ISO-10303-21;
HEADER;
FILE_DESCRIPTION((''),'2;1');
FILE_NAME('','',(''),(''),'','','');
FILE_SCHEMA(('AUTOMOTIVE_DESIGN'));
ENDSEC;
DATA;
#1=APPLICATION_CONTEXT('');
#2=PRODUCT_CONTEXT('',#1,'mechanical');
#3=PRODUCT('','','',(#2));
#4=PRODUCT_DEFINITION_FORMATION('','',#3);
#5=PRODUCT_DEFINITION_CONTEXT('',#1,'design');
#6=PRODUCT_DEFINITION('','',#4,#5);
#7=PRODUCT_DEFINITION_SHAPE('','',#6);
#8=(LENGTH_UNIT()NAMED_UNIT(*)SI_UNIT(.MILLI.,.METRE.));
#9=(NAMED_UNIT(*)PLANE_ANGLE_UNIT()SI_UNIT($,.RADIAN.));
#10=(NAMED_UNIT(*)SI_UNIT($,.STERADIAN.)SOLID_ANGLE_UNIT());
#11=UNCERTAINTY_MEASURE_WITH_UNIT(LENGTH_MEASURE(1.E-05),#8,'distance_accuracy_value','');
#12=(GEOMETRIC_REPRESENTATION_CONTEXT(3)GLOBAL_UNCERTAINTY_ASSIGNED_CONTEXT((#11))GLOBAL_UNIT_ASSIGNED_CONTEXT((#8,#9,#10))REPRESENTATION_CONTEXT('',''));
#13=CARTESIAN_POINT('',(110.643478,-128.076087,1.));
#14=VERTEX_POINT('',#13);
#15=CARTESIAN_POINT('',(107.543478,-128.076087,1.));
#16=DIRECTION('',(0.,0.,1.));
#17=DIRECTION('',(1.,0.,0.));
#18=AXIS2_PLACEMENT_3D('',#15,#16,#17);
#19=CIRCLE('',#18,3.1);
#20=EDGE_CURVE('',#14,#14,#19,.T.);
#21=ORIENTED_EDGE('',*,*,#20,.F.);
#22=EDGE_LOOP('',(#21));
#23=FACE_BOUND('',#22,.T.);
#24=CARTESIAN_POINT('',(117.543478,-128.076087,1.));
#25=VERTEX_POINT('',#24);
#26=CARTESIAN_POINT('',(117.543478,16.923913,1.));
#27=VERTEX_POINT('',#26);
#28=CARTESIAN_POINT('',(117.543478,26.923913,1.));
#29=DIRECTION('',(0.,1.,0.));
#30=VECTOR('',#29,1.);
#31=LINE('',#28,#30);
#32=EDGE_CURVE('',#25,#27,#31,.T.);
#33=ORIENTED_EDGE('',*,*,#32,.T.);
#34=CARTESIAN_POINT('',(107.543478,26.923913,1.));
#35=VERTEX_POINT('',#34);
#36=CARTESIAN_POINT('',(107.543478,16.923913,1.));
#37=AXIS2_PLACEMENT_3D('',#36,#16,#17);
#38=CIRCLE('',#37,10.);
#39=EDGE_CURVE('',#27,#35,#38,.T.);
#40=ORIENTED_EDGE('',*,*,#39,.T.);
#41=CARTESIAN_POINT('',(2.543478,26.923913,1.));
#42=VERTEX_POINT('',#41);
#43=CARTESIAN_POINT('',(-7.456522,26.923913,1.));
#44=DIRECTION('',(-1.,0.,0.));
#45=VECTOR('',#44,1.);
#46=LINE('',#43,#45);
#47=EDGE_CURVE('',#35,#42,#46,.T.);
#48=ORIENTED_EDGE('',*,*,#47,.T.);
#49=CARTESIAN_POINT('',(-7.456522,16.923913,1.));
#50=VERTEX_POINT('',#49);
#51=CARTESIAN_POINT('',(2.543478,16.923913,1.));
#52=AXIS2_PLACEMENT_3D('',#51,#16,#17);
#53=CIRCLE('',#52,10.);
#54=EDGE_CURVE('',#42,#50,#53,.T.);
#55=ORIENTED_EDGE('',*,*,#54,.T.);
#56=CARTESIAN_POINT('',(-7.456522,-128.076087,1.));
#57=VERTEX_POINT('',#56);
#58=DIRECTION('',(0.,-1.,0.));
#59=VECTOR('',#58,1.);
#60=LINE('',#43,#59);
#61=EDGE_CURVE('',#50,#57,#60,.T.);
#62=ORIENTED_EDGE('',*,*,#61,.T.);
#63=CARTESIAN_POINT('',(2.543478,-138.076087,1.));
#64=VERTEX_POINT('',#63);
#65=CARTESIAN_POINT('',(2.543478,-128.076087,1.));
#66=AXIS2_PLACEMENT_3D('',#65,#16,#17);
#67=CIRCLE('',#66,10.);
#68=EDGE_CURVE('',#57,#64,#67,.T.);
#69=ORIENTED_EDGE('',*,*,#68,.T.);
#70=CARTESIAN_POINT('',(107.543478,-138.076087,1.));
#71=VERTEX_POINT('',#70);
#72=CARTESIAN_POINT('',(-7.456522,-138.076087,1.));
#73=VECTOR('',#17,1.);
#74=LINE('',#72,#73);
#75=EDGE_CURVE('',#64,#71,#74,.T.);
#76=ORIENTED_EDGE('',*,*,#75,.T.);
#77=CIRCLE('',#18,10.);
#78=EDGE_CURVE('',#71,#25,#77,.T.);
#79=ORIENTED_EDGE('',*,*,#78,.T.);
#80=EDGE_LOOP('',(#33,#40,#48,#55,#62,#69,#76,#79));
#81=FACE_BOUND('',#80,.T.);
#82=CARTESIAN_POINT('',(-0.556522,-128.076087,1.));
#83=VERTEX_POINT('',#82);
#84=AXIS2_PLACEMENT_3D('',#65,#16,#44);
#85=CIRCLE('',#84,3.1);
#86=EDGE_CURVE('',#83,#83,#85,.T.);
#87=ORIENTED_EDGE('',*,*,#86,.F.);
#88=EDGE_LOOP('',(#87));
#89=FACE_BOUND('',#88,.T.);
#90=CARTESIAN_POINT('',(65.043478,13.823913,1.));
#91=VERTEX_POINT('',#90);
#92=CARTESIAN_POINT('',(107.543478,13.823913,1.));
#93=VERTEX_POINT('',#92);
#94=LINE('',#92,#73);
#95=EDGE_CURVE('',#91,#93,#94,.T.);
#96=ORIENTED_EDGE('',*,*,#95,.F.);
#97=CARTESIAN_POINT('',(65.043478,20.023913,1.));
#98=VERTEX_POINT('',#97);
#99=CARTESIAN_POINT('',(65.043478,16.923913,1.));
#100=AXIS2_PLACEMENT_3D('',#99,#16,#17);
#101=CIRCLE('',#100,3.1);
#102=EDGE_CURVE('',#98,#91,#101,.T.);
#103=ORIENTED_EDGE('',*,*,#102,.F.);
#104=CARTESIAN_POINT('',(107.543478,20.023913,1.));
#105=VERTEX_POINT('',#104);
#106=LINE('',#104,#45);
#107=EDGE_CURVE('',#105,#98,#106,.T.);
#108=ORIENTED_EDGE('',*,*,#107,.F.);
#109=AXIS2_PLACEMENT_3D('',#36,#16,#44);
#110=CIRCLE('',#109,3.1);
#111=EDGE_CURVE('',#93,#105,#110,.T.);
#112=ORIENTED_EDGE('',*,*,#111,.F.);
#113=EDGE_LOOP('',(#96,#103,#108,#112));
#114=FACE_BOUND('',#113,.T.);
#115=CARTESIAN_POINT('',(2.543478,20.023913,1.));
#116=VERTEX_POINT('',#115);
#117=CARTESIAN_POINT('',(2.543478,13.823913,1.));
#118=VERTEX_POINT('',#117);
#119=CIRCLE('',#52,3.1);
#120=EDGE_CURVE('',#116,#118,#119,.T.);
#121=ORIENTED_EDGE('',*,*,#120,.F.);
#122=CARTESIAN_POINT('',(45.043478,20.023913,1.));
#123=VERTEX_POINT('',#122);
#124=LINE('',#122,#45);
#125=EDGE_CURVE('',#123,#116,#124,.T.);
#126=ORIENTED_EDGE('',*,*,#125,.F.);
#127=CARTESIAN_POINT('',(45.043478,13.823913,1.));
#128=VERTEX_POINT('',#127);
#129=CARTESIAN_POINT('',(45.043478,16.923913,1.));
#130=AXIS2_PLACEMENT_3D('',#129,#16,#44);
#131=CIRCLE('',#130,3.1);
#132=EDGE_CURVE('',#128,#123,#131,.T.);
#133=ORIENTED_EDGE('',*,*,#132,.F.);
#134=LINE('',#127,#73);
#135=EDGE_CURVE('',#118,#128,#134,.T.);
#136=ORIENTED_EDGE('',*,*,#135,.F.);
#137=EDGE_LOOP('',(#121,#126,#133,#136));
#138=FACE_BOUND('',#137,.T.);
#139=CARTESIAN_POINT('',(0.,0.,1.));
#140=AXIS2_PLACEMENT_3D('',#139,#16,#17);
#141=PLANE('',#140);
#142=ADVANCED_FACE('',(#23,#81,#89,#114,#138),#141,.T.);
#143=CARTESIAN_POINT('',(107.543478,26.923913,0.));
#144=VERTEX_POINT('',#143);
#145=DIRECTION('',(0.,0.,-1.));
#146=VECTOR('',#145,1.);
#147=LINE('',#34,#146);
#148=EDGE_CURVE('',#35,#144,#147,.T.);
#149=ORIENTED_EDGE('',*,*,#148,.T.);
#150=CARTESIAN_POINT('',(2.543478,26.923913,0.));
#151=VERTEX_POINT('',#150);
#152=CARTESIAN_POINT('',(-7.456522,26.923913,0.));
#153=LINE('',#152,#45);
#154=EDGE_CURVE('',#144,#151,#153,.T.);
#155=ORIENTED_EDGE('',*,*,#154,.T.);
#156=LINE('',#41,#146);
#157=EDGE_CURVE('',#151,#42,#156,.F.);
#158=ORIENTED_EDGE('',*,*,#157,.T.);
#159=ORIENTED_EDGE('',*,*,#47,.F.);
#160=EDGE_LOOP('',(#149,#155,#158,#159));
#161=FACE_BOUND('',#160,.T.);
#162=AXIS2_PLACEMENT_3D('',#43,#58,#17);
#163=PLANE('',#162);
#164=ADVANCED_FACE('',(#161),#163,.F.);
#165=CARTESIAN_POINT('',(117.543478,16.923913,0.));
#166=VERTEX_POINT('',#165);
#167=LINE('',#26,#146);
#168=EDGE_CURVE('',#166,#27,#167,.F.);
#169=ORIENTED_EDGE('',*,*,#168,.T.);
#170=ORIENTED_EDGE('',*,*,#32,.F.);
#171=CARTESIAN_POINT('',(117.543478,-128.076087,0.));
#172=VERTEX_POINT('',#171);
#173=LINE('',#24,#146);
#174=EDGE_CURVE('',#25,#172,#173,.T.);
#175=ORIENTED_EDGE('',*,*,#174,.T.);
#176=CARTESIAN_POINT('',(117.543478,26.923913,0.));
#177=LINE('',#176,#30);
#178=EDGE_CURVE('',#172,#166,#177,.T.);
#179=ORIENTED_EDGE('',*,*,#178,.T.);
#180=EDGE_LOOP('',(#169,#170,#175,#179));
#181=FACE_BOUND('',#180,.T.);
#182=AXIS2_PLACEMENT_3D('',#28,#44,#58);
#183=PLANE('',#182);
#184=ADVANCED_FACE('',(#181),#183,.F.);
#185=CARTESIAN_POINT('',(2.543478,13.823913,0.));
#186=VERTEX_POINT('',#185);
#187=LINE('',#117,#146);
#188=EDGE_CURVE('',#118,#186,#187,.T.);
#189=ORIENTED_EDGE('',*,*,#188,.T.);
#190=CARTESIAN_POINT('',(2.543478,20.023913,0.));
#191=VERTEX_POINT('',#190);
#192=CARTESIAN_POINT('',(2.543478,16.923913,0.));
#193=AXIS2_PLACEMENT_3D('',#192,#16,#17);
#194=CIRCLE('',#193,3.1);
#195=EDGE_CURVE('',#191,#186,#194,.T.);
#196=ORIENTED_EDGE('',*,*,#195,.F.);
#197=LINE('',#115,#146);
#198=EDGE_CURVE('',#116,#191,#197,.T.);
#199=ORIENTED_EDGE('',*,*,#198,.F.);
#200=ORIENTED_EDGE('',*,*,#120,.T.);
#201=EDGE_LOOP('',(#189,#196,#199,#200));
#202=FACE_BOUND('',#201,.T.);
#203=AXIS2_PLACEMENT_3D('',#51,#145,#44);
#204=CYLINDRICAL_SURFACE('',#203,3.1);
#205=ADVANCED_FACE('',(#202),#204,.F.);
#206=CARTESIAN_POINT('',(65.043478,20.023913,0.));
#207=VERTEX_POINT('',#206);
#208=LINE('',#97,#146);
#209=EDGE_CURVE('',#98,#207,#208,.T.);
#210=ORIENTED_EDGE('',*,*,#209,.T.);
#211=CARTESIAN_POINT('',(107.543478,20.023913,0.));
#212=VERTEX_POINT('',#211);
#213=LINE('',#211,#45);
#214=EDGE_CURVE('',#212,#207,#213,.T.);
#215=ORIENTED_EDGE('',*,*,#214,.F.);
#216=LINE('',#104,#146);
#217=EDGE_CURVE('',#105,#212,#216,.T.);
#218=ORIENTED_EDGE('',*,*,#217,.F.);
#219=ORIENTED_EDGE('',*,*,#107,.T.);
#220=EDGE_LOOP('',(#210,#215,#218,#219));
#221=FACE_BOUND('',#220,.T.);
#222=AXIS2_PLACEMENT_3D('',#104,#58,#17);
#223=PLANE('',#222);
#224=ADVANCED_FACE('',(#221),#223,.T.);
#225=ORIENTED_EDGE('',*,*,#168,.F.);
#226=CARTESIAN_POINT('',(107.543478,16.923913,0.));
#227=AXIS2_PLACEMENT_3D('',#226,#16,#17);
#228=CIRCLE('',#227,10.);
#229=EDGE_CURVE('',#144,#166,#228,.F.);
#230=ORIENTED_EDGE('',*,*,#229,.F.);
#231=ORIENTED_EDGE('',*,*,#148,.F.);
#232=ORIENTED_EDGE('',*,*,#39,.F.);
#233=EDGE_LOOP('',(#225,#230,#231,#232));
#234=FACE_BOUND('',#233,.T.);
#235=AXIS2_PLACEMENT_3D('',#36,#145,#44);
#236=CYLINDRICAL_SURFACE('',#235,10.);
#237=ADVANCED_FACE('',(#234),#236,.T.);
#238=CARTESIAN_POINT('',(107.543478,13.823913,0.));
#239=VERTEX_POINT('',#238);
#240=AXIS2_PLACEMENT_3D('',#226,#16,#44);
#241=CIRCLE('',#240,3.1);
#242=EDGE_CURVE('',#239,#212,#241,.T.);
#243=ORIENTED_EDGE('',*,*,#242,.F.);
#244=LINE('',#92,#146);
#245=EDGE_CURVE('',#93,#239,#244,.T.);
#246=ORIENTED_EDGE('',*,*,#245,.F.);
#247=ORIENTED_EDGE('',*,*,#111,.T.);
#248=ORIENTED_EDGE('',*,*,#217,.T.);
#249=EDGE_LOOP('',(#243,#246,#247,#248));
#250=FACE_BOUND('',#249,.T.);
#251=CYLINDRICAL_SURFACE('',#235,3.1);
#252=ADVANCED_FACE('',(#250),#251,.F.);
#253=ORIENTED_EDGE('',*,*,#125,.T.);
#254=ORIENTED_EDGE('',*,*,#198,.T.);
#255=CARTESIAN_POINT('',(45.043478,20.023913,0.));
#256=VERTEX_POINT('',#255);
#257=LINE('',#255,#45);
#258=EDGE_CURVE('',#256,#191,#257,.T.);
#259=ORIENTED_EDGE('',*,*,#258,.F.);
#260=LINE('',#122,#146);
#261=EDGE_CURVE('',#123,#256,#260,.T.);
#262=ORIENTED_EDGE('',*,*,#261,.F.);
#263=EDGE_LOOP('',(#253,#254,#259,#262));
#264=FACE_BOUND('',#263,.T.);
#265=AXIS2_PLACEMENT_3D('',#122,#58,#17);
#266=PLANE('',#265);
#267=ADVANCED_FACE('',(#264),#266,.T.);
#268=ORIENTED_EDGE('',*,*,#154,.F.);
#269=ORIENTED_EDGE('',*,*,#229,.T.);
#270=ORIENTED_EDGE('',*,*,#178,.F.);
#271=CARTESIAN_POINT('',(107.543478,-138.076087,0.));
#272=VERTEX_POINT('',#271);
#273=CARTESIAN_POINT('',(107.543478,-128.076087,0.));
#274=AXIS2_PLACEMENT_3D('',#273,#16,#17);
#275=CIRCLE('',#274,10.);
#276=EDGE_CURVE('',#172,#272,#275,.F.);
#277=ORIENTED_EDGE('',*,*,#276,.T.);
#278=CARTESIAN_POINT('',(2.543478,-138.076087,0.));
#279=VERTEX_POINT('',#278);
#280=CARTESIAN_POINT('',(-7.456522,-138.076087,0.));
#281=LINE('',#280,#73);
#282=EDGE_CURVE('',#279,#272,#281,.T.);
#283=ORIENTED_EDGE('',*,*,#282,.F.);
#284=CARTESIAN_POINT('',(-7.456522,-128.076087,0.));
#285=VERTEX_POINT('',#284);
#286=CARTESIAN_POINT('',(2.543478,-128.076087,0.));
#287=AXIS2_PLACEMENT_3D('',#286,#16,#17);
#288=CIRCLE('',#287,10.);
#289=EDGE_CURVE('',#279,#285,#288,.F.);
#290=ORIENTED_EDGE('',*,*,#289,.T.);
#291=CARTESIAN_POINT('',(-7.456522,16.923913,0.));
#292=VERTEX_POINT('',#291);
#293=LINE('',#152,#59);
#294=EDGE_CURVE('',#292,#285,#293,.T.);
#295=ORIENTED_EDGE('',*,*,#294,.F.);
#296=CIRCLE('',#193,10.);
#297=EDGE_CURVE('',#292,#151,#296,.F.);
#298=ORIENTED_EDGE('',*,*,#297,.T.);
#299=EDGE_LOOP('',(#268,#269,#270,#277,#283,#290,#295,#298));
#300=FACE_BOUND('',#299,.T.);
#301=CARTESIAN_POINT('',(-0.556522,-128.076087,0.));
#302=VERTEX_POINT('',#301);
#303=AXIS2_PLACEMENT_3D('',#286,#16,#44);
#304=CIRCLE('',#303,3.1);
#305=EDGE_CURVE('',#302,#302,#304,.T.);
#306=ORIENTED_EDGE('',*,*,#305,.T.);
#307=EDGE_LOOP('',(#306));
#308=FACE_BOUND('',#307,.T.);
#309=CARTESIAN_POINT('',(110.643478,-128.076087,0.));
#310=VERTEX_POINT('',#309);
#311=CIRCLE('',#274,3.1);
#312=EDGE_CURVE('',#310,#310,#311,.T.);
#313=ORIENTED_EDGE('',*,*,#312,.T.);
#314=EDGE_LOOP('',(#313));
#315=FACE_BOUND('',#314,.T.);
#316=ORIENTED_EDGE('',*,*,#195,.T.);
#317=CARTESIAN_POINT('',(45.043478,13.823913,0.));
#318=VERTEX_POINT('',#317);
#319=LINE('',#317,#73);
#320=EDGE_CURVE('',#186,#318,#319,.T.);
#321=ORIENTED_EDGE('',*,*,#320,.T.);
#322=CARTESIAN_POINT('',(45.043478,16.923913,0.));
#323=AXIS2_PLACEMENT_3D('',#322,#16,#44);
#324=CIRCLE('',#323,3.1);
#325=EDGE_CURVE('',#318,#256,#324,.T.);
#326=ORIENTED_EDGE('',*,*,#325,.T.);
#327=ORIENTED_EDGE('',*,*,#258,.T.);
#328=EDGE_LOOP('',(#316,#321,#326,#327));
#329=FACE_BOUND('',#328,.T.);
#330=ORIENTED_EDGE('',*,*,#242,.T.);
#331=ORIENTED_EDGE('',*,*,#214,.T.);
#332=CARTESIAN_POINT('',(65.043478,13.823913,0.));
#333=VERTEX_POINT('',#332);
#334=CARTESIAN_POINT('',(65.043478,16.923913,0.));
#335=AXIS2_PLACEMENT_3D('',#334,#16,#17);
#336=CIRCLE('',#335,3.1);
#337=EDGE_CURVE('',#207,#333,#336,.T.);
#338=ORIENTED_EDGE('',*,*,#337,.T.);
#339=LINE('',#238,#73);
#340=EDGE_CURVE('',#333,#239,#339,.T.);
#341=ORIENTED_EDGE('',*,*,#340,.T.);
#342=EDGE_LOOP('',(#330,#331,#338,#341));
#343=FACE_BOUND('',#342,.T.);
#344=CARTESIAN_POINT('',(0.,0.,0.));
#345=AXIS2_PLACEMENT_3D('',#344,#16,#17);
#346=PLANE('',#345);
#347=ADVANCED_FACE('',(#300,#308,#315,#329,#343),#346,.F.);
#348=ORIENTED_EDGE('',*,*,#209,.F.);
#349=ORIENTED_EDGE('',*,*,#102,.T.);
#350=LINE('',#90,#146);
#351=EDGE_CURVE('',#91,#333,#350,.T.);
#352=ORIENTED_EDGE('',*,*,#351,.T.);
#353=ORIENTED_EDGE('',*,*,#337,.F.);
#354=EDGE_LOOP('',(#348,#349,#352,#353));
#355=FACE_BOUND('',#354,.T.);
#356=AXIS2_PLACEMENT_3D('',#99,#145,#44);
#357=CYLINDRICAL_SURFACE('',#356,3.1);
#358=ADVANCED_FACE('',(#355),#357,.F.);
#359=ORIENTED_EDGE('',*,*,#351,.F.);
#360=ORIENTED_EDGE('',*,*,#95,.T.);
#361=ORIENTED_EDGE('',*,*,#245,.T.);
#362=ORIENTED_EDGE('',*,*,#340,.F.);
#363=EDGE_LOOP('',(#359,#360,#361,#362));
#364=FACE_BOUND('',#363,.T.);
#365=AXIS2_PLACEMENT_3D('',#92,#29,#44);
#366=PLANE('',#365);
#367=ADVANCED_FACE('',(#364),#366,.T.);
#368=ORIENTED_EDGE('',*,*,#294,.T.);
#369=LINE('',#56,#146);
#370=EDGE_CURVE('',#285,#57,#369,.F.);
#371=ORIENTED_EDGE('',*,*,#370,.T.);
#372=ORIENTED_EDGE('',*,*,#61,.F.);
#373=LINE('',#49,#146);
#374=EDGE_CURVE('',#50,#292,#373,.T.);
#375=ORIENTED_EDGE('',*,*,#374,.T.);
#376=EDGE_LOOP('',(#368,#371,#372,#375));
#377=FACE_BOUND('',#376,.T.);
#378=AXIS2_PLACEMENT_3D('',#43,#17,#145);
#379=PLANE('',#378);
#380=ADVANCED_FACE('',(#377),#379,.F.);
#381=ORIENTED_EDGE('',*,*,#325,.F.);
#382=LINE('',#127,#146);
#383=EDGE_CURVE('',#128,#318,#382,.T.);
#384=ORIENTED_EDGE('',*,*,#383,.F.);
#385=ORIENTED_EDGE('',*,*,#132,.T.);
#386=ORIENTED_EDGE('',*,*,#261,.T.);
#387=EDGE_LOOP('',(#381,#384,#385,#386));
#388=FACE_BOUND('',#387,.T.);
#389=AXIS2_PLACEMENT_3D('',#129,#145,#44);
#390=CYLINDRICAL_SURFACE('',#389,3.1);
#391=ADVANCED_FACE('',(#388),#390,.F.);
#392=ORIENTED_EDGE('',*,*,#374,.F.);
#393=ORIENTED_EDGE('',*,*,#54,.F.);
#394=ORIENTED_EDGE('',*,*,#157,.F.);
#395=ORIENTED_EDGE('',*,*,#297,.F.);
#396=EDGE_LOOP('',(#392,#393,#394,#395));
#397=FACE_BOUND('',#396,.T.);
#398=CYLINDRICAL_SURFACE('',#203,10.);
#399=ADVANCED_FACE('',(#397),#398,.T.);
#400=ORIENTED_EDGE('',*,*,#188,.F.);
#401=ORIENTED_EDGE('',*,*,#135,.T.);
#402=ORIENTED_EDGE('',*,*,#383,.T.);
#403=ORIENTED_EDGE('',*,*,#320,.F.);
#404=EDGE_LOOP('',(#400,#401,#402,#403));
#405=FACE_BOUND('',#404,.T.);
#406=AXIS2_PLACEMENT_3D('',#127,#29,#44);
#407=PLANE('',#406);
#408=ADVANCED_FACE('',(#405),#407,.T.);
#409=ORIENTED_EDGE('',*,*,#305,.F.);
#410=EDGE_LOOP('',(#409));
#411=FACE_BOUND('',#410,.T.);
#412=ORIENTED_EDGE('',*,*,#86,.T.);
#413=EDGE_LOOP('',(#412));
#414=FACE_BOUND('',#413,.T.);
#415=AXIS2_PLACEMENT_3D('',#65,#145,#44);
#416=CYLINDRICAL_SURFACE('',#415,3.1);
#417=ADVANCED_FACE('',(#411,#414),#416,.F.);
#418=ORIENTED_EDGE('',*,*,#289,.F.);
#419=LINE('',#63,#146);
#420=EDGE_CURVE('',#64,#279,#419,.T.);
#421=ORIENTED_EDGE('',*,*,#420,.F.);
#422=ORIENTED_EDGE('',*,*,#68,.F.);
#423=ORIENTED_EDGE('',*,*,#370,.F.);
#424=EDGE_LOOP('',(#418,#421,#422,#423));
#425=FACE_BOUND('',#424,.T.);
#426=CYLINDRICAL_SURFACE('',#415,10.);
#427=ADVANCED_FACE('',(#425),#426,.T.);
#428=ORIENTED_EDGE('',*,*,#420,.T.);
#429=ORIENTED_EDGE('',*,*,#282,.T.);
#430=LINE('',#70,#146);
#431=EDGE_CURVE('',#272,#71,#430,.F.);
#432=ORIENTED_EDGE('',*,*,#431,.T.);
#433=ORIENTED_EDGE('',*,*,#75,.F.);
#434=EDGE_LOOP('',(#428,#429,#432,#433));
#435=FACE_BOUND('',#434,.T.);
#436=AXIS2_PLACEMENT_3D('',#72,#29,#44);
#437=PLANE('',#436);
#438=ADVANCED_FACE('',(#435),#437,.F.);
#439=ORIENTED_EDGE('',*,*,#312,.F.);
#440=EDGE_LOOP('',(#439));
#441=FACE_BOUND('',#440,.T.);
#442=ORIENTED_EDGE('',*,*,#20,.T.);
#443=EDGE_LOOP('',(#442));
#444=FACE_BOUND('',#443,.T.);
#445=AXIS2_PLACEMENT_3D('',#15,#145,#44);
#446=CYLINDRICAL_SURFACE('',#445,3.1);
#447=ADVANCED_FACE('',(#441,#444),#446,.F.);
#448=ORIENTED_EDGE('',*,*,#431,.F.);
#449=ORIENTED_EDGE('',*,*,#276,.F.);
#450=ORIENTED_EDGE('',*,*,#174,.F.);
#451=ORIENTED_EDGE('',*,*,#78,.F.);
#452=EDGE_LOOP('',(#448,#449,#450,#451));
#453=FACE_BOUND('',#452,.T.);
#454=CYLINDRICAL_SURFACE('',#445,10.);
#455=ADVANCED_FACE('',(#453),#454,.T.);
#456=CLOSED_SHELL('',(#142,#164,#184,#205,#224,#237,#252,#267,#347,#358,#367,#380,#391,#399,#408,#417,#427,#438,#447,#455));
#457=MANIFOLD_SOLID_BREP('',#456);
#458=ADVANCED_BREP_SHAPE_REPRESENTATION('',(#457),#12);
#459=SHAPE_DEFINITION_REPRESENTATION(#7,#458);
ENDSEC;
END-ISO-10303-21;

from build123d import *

# Parameters (mm, degrees)
SKETCH_1_W      = 125
SKETCH_1_H      = 165
SKETCH_1_R      = 3.1
EXTRUDE_1_DEPTH = 1
FILLET_1_R      = 10


with BuildPart() as part:
    # 草图1 → 凸台-拉伸1 (new body)
    with BuildSketch(Plane.XY):
        with Locations((55.043478261, -55.576086957)):
            Rectangle(SKETCH_1_W, SKETCH_1_H)
        with Locations((107.543478261, -128.076086957)):
            Circle(SKETCH_1_R, mode=Mode.SUBTRACT)
        with Locations((2.543478261, -128.076086957)):
            Circle(SKETCH_1_R, mode=Mode.SUBTRACT)
        with BuildLine():
            Line((107.543478261, 20.023913043), (65.043478261, 20.023913043))
            ThreePointArc((65.043478261, 20.023913043), (61.943478261, 16.923913043), (65.043478261, 13.823913043))
            Line((65.043478261, 13.823913043), (107.543478261, 13.823913043))
            ThreePointArc((107.543478261, 13.823913043), (110.643478261, 16.923913043), (107.543478261, 20.023913043))
        make_face(mode=Mode.SUBTRACT)
        with BuildLine():
            Line((45.043478261, 20.023913043), (2.543478261, 20.023913043))
            ThreePointArc((2.543478261, 20.023913043), (-0.556521739, 16.923913043), (2.543478261, 13.823913043))
            Line((2.543478261, 13.823913043), (45.043478261, 13.823913043))
            ThreePointArc((45.043478261, 13.823913043), (48.143478261, 16.923913043), (45.043478261, 20.023913043))
        make_face(mode=Mode.SUBTRACT)
    extrude(amount=EXTRUDE_1_DEPTH)

    # 圆角1
    fillet_1_edges = [part.edges().sort_by_distance(p)[0] for p in [
        (-7.456521739, 26.923913043, 0.5),
        (117.543478261, 26.923913043, 0.5),
        (117.543478261, -138.076086957, 0.5),
        (-7.456521739, -138.076086957, 0.5),
    ]]
    fillet(fillet_1_edges, radius=FILLET_1_R)


solid = part.part
